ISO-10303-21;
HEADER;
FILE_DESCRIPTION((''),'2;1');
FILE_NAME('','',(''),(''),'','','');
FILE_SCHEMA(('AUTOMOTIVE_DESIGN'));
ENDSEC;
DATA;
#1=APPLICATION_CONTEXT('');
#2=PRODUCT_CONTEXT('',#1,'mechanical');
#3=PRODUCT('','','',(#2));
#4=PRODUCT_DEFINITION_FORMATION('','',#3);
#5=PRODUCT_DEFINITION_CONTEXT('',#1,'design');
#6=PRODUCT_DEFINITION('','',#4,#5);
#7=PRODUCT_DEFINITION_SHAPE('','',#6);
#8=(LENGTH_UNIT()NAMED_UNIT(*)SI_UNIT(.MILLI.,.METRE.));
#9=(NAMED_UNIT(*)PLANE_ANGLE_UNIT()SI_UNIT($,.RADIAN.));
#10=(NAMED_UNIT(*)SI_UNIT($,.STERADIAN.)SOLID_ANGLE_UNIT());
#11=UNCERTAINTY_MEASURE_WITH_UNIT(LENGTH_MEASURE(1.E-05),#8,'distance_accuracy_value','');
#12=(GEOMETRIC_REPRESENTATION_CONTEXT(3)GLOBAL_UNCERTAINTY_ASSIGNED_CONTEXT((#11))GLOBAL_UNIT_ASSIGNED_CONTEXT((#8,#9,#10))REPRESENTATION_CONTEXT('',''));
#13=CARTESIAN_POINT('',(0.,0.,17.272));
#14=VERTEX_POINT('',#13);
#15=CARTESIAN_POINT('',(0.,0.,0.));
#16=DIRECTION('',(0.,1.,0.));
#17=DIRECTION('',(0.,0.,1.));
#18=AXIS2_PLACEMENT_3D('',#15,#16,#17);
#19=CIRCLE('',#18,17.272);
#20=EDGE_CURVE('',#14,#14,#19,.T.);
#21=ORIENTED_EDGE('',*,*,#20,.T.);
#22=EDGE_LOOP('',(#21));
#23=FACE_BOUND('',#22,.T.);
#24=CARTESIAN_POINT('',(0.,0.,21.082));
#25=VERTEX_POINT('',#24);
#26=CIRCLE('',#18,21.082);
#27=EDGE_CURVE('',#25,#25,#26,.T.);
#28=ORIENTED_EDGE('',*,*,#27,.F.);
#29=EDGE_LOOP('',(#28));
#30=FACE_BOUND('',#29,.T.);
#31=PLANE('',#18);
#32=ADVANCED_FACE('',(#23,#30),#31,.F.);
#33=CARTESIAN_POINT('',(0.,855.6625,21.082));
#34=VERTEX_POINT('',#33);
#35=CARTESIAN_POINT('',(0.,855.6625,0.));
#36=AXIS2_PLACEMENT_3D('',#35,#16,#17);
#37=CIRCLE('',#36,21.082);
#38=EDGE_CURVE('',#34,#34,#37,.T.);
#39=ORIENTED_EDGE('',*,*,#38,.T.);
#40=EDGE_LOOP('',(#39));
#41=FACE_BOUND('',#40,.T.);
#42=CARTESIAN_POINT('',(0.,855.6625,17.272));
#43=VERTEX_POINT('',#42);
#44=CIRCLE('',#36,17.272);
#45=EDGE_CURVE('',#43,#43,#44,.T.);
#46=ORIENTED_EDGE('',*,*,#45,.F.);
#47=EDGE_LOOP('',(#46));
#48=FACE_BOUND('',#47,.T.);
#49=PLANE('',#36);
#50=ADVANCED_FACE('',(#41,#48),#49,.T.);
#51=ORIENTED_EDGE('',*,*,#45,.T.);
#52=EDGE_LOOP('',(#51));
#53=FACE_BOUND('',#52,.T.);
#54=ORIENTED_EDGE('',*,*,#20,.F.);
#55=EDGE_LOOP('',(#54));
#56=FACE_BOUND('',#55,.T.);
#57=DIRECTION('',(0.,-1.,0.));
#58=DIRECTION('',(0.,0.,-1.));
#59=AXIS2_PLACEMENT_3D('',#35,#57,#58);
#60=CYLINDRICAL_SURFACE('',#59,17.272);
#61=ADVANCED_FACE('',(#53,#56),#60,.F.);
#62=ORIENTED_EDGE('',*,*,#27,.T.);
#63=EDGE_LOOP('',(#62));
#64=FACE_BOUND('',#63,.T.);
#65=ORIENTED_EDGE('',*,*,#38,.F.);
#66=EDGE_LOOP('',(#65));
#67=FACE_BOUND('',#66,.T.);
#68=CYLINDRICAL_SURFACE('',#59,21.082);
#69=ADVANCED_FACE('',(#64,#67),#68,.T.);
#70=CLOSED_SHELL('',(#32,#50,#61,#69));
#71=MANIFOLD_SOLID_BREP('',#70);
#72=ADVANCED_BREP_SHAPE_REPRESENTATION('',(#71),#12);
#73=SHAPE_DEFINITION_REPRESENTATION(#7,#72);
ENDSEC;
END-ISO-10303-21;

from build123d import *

# Parameters (mm, degrees)
SKETCH1_R           = 21.082
SKETCH1_R_2         = 17.272
BOSS_EXTRUDE1_DEPTH = 855.6625


with BuildPart() as part:
    # Sketch1 → Boss-Extrude1 (new body)
    with BuildSketch(Plane(origin=(0, 0, 0), x_dir=(1, 0, 0), z_dir=(0, 1, 0))):
        with Locations(Location((0, 0, 0), (0, 0, 270))):
            Circle(SKETCH1_R)
        with Locations(Location((0, 0, 0), (0, 0, 270))):
            Circle(SKETCH1_R_2, mode=Mode.SUBTRACT)
    extrude(amount=BOSS_EXTRUDE1_DEPTH)


solid = part.part
